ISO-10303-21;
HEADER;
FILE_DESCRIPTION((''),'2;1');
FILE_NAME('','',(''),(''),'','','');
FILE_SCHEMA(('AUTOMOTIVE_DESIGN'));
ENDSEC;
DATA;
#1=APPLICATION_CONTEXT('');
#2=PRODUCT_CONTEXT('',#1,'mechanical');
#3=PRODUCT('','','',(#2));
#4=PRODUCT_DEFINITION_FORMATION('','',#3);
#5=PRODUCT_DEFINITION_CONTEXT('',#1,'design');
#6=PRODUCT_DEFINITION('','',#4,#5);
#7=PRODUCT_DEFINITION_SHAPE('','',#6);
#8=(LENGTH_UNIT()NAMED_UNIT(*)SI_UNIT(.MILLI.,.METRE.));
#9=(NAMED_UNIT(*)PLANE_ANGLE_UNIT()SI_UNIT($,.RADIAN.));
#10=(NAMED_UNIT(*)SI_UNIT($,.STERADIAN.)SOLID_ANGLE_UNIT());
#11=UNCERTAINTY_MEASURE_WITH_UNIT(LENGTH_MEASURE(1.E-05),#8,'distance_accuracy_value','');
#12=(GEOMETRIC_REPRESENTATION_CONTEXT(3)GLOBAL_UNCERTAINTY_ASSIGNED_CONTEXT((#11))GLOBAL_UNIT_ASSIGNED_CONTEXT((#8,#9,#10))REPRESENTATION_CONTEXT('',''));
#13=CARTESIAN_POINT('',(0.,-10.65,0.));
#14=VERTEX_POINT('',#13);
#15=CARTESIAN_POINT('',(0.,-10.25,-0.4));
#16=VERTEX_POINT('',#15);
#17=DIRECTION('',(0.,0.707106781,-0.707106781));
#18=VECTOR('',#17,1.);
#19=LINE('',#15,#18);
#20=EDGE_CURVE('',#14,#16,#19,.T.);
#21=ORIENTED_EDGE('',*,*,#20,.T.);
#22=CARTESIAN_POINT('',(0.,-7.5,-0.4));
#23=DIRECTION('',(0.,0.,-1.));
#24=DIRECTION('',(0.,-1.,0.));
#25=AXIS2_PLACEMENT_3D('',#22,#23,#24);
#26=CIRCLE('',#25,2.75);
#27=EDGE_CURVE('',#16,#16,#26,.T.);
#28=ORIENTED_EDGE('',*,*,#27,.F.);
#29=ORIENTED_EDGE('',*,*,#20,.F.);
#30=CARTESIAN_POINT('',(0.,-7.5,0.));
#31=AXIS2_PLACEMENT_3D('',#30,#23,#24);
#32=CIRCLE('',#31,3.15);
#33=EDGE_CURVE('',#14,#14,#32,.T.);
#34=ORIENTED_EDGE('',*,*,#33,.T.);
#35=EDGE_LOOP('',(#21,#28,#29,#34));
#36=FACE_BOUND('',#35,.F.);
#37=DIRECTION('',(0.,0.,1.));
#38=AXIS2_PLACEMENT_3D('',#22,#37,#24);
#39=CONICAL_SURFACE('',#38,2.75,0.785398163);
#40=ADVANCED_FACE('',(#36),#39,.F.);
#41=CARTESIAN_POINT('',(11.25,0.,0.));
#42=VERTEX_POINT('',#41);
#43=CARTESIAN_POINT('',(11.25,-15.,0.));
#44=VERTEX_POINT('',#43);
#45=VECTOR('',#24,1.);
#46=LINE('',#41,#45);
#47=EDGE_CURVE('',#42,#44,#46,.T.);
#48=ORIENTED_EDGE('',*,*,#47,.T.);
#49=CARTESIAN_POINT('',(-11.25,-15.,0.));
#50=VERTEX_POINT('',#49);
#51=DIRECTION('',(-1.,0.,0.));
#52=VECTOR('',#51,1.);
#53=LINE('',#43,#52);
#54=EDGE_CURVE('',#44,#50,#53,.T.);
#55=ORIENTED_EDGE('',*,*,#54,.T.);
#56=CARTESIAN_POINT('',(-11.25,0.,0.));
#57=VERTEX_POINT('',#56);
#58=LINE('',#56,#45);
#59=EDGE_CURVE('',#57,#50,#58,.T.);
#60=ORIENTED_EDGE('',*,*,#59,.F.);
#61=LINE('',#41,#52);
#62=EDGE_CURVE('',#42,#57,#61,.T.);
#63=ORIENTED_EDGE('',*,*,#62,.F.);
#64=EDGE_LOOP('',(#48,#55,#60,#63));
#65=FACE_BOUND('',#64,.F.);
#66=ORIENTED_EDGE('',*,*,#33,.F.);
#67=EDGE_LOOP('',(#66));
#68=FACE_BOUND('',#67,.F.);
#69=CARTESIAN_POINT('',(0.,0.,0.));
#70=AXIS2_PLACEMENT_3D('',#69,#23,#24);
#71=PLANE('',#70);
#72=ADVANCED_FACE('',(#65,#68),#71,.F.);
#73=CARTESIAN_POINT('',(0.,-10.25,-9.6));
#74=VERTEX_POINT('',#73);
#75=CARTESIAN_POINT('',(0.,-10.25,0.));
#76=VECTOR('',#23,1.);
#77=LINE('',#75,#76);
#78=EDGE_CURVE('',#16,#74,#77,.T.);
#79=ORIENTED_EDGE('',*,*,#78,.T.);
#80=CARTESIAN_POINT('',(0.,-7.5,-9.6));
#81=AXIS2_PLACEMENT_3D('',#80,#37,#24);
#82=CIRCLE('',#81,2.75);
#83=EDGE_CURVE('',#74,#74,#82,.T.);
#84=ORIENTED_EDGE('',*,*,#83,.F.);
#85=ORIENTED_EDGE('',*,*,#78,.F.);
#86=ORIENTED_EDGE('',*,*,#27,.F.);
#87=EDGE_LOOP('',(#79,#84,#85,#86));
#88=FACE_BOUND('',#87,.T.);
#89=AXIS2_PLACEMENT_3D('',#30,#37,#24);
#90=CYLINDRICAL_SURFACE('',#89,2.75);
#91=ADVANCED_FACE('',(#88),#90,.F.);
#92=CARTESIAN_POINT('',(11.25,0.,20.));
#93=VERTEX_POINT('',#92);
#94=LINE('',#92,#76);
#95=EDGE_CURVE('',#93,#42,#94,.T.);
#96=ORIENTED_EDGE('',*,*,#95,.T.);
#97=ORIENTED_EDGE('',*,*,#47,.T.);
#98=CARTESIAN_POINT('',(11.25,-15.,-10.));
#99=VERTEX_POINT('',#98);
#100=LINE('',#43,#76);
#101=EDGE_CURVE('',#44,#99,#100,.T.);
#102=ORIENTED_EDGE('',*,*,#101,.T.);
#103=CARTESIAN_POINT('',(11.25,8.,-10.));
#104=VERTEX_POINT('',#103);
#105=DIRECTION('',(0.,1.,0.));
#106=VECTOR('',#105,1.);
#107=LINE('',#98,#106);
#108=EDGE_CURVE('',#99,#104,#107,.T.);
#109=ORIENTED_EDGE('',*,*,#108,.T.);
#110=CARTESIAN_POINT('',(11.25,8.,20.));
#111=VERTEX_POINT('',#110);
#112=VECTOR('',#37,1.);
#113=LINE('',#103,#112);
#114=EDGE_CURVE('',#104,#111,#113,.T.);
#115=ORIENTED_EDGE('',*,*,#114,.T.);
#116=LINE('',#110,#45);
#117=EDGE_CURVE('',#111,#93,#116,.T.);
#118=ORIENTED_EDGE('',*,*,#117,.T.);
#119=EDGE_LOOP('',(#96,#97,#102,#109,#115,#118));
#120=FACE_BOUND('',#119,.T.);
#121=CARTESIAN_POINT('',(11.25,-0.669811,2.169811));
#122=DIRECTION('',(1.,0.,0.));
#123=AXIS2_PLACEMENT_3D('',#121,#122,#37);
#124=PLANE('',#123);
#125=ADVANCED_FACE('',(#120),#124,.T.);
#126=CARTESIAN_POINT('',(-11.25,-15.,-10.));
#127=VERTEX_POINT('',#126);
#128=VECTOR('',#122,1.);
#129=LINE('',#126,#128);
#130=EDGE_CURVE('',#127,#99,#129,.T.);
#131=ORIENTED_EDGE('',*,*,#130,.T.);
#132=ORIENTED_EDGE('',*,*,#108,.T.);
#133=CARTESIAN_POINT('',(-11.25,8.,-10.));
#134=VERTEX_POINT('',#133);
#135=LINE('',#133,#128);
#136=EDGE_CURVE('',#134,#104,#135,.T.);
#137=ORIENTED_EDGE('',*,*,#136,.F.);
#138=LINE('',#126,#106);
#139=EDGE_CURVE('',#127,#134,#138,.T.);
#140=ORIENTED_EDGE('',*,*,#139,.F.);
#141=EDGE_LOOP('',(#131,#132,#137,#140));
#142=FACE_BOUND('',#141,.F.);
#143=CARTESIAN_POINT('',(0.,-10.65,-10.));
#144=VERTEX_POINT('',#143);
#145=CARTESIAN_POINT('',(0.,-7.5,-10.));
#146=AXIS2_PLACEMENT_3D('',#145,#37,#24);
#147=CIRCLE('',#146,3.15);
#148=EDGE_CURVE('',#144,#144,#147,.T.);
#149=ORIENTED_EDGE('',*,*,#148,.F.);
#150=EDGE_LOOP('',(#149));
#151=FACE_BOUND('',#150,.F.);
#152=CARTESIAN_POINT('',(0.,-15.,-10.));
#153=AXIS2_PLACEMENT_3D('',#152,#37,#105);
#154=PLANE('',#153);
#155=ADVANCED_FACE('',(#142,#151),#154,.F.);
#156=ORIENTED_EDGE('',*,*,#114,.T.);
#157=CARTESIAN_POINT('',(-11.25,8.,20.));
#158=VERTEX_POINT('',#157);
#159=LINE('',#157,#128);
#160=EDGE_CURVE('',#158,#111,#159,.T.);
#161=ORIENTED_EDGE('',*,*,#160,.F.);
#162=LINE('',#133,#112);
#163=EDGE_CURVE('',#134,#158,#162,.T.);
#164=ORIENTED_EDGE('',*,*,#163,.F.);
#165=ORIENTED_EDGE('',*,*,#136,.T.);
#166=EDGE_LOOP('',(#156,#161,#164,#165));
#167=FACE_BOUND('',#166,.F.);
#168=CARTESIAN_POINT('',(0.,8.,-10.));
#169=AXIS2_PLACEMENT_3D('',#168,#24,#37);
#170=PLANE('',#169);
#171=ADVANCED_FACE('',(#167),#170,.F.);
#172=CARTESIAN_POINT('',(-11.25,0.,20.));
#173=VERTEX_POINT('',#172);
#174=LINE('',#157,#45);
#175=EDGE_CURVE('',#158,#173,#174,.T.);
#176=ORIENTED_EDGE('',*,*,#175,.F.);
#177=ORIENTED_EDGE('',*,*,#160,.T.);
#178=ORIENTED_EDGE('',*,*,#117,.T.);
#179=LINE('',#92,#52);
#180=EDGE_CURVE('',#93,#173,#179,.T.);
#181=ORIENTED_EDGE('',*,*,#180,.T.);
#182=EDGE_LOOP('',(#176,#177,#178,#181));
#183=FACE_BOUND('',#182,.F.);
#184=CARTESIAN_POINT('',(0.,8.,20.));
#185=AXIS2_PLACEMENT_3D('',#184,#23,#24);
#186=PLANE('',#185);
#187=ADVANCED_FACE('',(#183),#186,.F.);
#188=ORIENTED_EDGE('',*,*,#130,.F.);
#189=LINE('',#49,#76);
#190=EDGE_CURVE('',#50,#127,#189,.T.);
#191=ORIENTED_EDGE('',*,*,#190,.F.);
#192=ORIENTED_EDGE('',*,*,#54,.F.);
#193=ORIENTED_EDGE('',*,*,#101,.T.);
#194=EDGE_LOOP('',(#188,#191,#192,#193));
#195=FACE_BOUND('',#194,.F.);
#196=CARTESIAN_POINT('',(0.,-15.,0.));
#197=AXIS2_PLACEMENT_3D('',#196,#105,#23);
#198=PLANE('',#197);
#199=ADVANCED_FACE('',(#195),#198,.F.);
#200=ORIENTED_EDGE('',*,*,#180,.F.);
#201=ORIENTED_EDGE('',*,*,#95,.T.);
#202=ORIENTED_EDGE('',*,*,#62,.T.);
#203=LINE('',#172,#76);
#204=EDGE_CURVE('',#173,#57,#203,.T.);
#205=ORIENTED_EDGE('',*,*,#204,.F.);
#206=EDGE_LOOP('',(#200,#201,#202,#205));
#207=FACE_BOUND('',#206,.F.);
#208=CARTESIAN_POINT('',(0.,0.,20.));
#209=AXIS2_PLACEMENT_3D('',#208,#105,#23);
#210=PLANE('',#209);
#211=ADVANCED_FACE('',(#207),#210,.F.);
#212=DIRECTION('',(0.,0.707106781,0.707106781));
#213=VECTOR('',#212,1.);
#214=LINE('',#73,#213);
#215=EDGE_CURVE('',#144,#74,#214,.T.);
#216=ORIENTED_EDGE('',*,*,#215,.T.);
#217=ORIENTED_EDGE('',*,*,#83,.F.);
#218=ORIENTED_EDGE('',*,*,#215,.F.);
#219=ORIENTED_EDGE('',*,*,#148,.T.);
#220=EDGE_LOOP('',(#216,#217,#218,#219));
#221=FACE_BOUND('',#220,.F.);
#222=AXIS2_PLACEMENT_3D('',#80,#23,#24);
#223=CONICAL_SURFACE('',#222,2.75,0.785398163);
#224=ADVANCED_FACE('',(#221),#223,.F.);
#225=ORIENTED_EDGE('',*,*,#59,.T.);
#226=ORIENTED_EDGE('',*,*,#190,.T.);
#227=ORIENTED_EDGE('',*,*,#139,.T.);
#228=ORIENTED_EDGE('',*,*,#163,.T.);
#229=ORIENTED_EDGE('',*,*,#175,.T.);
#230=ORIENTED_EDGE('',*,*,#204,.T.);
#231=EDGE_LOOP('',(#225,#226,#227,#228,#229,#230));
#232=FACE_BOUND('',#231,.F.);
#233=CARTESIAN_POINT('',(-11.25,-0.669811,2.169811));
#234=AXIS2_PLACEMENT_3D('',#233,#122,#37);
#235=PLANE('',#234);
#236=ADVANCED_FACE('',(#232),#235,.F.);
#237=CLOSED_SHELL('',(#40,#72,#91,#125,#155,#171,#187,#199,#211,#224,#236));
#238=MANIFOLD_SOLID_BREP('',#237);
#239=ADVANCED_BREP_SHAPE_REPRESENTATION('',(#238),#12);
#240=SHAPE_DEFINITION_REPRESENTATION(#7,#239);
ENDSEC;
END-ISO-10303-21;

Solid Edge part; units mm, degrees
sketch "Sketch1" plane through (0, 0, 0) normal (1, 0, 0) x (0, 1, 0)
  line L0 (-15, 0) -> (-15, -10)
  line L1 (-15, -10) -> (8, -10)
  line L2 (8, -10) -> (8, 20)
  line L3 (8, 20) -> (0, 20)
  line L4 (0, 20) -> (0, 0)
  line L5 (0, 0) -> (-15, 0)
  dimension "D1" = 8
  dimension "D2" = 15
  dimension "D3" = 10
  dimension "D4" = 20
extrude "Protrusion1" add sketch "Sketch1" along normal mid plane 22.5
hole "Hole_1" at (0, -7.5, 0) direction (0, 0, -1) diameter 5.5 end up to next start chamfer 0.4 start chamfer angle 45 end chamfer 0.4 end chamfer angle 45
properties material "Polyethylene, low density"
